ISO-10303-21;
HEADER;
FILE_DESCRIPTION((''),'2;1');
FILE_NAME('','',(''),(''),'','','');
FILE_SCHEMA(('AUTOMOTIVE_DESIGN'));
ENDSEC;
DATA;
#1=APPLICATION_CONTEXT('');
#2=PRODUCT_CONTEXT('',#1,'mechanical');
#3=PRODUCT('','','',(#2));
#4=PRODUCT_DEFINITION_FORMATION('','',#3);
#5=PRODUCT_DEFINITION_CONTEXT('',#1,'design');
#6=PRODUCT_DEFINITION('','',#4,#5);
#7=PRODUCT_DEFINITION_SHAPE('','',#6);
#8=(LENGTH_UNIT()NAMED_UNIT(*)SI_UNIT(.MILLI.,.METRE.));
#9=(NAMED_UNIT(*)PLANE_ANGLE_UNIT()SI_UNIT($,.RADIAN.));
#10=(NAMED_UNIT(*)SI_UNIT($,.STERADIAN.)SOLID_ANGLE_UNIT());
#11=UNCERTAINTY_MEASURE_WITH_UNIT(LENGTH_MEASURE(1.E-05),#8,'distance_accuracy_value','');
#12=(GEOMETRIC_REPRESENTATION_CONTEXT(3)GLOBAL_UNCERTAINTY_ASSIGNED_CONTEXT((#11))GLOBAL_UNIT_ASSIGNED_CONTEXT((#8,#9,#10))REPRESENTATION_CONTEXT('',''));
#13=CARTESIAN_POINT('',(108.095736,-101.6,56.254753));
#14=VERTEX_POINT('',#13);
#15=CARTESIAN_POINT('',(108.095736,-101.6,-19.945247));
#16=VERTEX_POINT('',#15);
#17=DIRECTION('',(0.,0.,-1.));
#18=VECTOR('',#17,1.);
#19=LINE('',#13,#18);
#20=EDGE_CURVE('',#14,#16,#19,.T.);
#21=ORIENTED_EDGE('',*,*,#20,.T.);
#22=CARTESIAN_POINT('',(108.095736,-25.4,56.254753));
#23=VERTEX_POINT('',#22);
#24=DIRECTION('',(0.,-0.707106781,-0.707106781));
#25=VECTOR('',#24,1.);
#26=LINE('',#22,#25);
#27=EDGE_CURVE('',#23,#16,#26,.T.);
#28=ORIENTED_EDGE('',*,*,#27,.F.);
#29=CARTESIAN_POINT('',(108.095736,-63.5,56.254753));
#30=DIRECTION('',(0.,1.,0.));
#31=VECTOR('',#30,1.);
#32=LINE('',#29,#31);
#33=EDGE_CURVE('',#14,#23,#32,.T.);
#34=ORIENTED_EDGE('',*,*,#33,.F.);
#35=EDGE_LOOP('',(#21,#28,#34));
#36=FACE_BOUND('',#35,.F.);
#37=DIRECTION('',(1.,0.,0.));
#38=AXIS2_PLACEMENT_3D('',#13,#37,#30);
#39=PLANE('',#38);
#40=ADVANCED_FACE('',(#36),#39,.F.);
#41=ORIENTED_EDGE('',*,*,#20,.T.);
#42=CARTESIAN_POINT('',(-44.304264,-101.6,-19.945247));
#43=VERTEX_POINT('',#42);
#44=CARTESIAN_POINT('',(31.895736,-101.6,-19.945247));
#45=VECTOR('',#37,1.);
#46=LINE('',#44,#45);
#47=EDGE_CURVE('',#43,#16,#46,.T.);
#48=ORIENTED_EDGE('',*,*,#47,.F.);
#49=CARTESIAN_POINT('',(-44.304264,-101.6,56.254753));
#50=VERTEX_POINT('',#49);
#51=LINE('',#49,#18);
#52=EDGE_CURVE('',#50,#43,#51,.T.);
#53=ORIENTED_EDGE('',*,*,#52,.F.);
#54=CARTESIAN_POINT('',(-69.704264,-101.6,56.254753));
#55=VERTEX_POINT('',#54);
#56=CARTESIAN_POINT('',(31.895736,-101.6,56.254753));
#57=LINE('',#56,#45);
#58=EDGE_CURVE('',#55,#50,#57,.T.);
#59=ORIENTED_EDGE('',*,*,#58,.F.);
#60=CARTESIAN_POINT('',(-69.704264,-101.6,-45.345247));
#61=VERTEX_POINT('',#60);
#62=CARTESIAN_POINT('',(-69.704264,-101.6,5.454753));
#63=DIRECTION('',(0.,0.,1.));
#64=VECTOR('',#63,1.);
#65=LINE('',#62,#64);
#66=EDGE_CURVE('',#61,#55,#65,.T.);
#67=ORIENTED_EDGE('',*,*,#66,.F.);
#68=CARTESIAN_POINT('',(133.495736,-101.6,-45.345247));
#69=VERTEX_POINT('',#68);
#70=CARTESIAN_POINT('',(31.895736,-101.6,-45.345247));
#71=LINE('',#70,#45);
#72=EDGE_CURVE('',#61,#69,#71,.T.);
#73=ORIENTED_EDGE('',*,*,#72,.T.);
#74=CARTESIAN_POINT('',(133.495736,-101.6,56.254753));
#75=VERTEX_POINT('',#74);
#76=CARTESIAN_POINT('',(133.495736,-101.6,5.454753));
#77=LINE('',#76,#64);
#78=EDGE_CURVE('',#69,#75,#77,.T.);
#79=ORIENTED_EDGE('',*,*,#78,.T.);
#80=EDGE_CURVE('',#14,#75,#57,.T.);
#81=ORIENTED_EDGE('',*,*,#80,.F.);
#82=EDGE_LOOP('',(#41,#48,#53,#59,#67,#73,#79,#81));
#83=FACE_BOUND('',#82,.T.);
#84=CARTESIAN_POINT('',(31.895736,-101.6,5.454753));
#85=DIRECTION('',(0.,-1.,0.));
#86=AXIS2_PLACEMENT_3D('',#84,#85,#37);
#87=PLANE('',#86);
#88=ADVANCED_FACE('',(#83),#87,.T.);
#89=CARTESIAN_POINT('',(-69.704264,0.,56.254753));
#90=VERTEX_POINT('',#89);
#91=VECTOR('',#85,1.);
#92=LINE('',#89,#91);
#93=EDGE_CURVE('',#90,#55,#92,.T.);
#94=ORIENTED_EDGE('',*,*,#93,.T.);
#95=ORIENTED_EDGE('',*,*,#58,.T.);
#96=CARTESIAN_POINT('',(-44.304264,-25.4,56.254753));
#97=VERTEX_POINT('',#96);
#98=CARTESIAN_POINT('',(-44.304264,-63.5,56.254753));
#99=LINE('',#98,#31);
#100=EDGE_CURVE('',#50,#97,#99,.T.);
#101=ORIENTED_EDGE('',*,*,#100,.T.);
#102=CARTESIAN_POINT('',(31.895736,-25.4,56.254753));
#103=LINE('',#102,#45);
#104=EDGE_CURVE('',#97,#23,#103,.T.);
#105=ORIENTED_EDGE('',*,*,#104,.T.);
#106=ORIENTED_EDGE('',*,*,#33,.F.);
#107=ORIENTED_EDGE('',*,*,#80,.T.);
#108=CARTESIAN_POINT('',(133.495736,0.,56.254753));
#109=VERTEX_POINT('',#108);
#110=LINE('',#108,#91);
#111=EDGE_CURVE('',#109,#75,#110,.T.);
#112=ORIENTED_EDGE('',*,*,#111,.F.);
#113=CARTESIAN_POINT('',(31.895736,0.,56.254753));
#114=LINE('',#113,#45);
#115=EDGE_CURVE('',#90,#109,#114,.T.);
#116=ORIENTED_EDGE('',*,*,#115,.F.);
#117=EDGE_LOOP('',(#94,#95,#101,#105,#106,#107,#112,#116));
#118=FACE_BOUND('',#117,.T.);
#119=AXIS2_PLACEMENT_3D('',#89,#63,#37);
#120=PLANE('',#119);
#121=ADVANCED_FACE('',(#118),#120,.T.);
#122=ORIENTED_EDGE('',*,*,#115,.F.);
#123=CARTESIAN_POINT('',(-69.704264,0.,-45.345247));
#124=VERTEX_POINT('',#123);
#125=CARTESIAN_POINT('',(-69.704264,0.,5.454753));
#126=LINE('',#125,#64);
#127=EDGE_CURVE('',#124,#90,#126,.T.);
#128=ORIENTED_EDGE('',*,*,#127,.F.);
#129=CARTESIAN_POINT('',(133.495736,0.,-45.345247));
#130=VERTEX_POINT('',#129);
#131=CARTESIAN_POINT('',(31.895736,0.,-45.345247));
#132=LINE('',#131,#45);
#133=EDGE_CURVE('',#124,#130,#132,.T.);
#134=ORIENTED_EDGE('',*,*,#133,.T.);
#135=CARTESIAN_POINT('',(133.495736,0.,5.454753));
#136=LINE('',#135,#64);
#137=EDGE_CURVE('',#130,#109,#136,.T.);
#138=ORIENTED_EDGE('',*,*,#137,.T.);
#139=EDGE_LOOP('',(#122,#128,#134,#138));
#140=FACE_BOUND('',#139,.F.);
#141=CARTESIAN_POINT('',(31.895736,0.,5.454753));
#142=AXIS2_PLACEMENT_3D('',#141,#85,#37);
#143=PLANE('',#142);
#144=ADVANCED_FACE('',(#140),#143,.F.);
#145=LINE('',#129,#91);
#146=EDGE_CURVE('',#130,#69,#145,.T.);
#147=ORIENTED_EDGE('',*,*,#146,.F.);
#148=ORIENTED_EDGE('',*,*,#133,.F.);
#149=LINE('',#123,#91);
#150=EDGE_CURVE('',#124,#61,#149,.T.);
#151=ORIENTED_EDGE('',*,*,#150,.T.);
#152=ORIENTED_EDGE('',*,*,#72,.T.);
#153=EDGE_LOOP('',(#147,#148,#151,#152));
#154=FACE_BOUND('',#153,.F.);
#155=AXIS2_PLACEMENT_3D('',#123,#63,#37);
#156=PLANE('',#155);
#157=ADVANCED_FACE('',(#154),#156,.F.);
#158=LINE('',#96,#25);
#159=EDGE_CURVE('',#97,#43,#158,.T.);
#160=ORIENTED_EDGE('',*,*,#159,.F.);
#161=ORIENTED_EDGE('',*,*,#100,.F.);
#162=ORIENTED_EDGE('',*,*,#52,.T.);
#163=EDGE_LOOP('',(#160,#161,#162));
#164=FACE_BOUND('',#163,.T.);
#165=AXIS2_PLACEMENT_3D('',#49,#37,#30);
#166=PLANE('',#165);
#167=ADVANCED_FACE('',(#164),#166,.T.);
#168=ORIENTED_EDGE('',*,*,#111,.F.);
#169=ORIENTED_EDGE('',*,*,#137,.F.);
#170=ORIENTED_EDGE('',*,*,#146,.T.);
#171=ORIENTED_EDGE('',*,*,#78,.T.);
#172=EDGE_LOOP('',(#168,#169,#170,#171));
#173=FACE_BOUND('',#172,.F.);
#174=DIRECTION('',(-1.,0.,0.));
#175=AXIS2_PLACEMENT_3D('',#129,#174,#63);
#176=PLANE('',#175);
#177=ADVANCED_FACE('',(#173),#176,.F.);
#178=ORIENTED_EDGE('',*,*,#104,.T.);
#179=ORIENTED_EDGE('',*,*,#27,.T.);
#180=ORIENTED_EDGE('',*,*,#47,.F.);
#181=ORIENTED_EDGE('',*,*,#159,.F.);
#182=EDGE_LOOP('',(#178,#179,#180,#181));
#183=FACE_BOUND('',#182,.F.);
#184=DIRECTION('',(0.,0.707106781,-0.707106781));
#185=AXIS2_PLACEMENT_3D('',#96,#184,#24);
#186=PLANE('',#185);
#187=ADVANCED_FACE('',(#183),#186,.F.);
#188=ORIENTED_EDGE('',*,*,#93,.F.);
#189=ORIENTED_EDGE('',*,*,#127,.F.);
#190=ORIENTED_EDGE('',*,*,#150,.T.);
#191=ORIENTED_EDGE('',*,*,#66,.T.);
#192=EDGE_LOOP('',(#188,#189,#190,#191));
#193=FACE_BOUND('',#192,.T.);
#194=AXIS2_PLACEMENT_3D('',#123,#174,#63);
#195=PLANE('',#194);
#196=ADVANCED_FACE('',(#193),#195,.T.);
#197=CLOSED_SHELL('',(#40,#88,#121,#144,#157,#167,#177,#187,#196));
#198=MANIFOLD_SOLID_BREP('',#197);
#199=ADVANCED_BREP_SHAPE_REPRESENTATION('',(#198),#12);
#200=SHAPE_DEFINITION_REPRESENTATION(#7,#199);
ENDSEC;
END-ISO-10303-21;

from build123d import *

# Parameters (mm, degrees)
F0_W     = 203.2
F0_H     = 101.6
F1_DEPTH = 101.6
F2_W     = 152.4
F2_H     = 76.2
F3_DEPTH = 76.2
F5_DEPTH = 152.4


with BuildPart() as f1:
    # F0 (on Front) → F1 (new body)
    with BuildSketch(Plane.XZ):
        with Locations((31.895736, 5.454753)):
            Rectangle(F0_W, F0_H)
    extrude(amount=F1_DEPTH)

    # F2 (on face) → F3 (cut)
    with BuildSketch(Plane.XY.offset(56.254753)):
        with Locations((31.895736, -63.5)):
            Rectangle(F2_W, F2_H)
    extrude(amount=-F3_DEPTH, mode=Mode.SUBTRACT)

    # F4 (on face) → F5 (join)
    with BuildSketch(Plane.YZ.offset(-44.304264)):
        Polygon((-25.4, 56.254753), (-101.6, -19.945247), (-25.4, -19.945247), align=None)
    extrude(amount=F5_DEPTH)


solid = f1.part
